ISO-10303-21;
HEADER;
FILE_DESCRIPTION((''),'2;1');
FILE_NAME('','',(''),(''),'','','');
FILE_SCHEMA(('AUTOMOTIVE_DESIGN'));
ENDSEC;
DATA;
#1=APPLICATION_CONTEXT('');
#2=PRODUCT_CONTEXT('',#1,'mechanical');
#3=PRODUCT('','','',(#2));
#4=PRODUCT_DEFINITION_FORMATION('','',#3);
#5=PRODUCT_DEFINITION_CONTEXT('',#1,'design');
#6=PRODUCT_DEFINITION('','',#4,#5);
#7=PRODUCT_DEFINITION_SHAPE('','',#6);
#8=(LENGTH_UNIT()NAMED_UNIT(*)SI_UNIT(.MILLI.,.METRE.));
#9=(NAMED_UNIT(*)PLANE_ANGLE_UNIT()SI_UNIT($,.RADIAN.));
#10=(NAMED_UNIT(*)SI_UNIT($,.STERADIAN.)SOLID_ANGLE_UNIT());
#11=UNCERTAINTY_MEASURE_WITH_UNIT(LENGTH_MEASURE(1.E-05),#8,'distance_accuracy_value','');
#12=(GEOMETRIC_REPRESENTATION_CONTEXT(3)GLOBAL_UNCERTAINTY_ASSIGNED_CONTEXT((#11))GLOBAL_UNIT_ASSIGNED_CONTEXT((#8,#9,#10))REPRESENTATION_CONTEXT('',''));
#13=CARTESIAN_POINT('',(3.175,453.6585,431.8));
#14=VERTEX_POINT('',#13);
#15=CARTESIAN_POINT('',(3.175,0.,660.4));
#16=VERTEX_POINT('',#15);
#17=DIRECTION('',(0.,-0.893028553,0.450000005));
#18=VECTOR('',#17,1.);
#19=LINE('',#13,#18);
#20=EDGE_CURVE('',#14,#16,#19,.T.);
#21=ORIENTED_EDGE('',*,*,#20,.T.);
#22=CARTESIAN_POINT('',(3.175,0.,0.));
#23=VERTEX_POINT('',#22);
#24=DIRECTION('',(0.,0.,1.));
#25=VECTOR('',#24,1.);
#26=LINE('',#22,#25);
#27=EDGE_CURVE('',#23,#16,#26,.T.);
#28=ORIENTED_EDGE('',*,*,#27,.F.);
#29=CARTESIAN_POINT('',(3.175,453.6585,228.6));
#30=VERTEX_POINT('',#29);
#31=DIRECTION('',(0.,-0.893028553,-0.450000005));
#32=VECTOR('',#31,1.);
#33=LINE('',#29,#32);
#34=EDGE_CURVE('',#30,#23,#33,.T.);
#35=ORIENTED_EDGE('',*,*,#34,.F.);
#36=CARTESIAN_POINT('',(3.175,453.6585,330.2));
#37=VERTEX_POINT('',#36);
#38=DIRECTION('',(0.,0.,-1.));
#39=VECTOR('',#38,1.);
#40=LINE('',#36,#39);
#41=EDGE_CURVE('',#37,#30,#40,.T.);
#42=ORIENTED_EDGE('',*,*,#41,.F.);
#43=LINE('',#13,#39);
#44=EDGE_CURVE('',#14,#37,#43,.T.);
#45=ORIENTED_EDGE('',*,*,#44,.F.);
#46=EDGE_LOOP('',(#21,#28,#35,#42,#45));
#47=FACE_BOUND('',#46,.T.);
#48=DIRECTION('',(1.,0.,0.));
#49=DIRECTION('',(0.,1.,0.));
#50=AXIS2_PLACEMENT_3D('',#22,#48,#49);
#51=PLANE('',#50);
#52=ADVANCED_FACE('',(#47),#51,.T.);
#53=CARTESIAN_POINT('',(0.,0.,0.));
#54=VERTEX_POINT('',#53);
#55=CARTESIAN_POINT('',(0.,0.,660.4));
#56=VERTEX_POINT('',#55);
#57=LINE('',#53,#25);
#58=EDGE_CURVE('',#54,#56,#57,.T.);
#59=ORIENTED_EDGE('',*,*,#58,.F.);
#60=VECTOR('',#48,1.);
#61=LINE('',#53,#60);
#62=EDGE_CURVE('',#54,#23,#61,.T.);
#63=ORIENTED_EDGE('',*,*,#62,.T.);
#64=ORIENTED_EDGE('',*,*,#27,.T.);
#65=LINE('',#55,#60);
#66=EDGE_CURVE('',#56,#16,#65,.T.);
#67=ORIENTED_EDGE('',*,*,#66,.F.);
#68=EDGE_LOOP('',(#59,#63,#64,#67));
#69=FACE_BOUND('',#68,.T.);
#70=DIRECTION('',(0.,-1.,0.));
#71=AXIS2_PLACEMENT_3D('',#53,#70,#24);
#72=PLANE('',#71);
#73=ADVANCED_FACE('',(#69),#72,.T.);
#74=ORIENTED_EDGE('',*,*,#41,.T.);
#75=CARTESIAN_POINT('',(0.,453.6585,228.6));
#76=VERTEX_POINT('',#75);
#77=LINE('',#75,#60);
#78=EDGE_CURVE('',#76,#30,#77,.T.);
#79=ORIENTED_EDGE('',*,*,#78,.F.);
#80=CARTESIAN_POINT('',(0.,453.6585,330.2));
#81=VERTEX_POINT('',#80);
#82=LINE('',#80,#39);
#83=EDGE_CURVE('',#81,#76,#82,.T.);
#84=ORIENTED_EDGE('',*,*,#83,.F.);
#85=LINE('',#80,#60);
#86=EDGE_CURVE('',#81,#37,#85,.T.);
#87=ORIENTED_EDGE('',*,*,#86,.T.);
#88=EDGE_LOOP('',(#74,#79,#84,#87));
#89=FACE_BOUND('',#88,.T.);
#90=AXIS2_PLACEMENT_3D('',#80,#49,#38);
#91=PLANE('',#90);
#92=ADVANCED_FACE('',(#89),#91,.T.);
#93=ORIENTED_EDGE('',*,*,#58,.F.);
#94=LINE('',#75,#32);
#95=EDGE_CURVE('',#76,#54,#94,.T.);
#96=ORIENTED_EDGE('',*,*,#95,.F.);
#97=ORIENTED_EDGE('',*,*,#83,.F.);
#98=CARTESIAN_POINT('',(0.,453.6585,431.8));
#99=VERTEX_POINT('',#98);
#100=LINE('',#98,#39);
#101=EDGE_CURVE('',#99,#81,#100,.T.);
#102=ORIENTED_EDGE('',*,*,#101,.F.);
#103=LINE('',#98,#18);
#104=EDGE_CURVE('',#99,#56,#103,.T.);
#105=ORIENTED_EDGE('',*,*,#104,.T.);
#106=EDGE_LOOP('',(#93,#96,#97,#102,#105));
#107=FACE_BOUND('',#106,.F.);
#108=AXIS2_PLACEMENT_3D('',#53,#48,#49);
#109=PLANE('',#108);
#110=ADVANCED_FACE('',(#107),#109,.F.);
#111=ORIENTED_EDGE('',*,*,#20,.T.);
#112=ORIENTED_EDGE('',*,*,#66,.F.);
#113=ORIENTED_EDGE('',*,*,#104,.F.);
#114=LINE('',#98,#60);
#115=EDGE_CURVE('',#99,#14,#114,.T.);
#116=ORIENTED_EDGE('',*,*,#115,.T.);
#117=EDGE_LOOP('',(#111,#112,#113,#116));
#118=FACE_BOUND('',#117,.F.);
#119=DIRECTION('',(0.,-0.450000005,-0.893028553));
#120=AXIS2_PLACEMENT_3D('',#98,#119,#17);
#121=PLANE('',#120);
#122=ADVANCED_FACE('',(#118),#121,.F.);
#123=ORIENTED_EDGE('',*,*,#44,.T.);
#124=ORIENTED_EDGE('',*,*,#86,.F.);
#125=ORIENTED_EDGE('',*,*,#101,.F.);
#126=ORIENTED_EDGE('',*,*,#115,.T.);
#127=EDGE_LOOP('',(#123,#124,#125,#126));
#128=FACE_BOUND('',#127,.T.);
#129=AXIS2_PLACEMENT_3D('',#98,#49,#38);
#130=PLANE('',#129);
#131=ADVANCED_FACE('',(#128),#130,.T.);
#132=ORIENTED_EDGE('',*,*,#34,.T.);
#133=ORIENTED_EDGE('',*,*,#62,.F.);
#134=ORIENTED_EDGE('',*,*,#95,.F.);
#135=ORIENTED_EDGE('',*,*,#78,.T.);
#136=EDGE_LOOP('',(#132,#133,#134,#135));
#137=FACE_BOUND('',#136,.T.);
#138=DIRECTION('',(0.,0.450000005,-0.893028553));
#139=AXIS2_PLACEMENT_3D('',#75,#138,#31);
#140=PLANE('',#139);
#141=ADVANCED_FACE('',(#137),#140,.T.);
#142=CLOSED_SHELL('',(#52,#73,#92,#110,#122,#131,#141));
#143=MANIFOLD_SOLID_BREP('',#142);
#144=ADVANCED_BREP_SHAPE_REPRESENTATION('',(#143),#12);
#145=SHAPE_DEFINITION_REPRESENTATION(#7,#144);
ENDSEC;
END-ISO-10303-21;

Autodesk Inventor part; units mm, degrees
ref_plane "YZ Plane" through (0, 0, 0) normal (1, 0, 0) x (0, 1, 0)
ref_plane "XZ Plane" through (0, 0, 0) normal (0, 1, 0) x (-1, 0, 0)
ref_plane "XY Plane" through (0, 0, 0) normal (0, 0, 1) x (1, 0, 0)
sketch "Sketch1" plane through (0, 0, 0) normal (1, 0, 0) x (0, 1, 0)
  line L0 (0, 0) -> (0, 660.4)
  line L1 (0, 330.2) -> (453.6585, 330.2) construction
  line L2 (453.6585, 431.8) -> (453.6585, 330.2)
  line L3 (453.6585, 330.2) -> (453.6585, 228.6)
  line L4 (453.6585, 431.8) -> (0, 660.4)
  line L5 (453.6585, 228.6) -> (0, 0)
  dimension "d0" = 660.4
  dimension "d4" = 203.2
  dimension "d29" = 228.6
  dimension "d31" = 508
  dimension "d32" = 453.6585
extrude "Extrusion1" add sketch "Sketch1" along normal blind 3.175
properties part number "Polycarb Side1 Pannel" material "Polycarbonate, Clear"
